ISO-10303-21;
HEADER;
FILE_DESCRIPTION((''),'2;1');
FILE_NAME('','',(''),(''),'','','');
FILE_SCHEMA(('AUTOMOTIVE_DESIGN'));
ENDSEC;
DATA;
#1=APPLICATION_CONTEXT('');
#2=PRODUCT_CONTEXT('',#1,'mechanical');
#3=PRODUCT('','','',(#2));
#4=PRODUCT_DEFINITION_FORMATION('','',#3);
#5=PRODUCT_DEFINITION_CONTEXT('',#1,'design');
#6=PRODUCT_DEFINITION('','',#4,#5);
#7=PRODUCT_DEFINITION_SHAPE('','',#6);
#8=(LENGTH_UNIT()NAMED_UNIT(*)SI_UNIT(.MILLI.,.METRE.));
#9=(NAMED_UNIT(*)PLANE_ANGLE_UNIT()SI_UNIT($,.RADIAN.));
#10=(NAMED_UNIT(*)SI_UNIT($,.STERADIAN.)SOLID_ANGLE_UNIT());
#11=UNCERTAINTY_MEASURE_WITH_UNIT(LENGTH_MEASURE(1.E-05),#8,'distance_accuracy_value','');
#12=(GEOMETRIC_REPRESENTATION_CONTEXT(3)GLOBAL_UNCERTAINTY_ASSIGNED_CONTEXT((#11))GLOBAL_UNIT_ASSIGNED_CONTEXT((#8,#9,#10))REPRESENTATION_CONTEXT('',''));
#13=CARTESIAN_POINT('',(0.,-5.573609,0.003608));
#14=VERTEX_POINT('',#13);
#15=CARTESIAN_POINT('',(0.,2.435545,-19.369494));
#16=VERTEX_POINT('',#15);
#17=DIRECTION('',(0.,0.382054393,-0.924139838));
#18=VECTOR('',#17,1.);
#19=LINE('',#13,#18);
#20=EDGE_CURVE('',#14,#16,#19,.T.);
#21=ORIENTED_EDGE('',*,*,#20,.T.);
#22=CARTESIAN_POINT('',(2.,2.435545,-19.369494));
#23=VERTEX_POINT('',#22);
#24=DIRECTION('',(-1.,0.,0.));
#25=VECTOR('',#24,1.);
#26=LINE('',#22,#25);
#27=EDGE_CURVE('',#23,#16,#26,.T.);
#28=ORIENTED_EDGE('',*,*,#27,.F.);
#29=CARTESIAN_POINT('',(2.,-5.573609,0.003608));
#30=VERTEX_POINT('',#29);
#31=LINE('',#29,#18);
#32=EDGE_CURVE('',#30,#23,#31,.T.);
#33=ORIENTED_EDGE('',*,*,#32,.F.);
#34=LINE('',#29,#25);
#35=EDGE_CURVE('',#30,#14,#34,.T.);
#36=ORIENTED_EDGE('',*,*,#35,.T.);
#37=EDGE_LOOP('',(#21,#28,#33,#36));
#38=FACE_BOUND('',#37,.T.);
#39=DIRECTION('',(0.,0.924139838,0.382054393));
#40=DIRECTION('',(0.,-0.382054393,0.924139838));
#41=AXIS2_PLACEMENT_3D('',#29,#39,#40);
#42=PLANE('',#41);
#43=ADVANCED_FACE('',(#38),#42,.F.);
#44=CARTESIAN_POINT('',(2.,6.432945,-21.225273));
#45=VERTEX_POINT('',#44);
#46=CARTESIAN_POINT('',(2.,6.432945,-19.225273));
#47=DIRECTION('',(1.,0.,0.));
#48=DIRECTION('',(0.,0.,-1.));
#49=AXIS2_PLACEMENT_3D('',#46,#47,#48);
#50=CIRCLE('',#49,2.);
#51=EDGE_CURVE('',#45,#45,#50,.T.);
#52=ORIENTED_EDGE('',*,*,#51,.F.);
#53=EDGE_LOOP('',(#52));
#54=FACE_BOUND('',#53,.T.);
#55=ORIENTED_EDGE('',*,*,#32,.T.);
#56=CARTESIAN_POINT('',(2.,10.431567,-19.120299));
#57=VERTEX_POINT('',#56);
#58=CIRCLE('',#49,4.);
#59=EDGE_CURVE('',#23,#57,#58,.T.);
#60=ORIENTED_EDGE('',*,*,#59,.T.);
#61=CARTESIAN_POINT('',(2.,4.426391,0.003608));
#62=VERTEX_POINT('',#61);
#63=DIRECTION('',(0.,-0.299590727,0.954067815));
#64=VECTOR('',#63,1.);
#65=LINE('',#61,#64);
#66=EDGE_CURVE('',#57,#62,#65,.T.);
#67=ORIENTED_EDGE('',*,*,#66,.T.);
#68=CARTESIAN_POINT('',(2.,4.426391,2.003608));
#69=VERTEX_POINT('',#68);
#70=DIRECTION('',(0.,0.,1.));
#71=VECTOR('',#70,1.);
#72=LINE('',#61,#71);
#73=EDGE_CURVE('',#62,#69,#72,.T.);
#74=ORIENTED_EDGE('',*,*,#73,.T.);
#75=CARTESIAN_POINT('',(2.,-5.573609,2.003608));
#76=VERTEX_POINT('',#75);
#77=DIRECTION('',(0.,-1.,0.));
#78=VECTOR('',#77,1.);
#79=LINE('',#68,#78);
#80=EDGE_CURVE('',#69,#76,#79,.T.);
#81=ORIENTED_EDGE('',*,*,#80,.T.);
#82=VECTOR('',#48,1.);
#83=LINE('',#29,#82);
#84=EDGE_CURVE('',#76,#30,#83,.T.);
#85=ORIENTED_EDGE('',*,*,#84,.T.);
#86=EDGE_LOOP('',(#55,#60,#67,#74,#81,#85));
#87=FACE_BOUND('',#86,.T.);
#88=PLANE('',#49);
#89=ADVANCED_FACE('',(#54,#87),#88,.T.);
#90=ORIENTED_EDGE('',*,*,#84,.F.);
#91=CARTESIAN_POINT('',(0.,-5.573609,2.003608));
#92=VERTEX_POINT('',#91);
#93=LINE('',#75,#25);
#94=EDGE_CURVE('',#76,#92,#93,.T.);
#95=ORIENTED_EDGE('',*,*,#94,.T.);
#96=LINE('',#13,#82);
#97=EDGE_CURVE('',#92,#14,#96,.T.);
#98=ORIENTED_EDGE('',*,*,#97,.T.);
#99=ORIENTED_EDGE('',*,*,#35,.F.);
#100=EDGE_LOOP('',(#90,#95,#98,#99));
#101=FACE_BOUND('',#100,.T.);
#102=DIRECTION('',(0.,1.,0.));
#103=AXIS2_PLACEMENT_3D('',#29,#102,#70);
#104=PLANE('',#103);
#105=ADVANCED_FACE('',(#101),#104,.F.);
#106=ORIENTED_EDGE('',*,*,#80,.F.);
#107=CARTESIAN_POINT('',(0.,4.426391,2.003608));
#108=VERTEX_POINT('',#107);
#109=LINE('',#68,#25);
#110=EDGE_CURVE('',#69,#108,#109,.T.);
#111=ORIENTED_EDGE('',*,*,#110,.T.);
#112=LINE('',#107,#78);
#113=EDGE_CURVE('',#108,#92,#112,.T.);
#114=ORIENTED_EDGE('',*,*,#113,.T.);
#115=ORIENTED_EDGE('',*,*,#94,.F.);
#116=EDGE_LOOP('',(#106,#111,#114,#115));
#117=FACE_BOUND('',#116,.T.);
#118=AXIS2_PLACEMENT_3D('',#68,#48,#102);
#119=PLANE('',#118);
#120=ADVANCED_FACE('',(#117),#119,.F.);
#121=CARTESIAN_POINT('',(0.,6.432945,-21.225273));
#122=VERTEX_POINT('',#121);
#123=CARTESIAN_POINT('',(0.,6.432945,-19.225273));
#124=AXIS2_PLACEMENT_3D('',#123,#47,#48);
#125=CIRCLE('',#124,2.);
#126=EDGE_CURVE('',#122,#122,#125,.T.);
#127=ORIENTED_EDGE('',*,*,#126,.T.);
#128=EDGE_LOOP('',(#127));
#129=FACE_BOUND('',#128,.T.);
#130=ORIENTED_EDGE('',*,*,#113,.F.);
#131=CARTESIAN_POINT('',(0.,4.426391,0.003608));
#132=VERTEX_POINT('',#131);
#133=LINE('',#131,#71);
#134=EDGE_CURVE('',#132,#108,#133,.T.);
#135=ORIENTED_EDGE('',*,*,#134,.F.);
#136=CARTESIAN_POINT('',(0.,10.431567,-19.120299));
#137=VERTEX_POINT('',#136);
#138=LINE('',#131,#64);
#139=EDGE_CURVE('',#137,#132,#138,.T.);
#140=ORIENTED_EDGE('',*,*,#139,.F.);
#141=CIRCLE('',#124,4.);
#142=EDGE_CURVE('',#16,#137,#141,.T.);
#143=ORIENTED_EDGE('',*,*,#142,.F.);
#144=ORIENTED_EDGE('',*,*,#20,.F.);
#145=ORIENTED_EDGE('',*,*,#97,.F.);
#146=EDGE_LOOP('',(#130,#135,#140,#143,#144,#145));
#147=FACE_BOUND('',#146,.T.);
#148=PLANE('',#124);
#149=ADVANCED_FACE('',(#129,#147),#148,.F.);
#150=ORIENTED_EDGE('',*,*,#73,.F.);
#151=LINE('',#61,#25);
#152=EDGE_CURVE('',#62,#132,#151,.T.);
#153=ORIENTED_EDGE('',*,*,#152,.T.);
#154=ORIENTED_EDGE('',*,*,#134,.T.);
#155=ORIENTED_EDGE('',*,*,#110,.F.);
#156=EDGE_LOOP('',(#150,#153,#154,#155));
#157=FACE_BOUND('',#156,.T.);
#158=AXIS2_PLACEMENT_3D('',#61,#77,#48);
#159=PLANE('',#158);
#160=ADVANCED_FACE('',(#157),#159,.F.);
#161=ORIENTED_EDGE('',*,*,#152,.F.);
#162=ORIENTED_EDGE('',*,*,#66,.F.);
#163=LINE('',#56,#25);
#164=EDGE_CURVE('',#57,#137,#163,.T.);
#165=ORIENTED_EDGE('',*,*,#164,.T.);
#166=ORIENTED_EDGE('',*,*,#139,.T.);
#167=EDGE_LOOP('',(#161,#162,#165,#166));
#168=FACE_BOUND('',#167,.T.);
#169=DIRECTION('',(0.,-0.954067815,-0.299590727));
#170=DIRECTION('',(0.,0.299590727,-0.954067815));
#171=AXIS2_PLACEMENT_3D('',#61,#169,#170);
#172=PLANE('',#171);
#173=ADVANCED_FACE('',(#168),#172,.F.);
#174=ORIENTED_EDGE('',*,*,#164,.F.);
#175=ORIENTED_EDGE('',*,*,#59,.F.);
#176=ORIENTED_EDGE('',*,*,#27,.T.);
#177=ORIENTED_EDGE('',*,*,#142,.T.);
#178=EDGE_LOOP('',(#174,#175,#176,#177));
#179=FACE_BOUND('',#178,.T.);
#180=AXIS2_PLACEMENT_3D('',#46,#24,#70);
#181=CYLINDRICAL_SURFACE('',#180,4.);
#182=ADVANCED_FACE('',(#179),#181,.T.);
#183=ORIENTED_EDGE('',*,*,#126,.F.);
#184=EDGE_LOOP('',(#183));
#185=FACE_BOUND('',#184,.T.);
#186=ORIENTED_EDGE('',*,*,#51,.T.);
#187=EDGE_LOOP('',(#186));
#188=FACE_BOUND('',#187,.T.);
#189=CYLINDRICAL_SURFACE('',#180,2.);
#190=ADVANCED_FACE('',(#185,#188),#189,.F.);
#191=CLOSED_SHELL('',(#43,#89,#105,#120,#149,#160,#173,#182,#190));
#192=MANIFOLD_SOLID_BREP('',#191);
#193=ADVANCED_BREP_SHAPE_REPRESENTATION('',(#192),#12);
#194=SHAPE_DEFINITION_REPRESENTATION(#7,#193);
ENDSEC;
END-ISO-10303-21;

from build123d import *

# Parameters (mm, degrees)
SKETCH1_R           = 2
BOSS_EXTRUDE1_DEPTH = 2


with BuildPart() as part:
    # Sketch1 → Boss-Extrude1 (new body)
    with BuildSketch(Plane(origin=(0, 0, 0), x_dir=(0, 0, -1), z_dir=(1, 0, 0))):
        with BuildLine():
            Line((-0.003608009, 4.426390949), (19.120298853, 10.431566954))
            ThreePointArc((19.120298853, 10.431566954), (23.223332093, 6.557543739), (19.369494044, 2.435545445))
            Line((19.369494044, 2.435545445), (-0.003608009, -5.573609051))
            Line((-0.003608009, -5.573609051), (-2.003608009, -5.573609051))
            Line((-2.003608009, -5.573609051), (-2.003608009, 4.426390949))
            Line((-2.003608009, 4.426390949), (-0.003608009, 4.426390949))
        make_face()
        with Locations((19.225273181, 6.432944643)):
            Circle(SKETCH1_R, mode=Mode.SUBTRACT)
    extrude(amount=BOSS_EXTRUDE1_DEPTH)


solid = part.part
